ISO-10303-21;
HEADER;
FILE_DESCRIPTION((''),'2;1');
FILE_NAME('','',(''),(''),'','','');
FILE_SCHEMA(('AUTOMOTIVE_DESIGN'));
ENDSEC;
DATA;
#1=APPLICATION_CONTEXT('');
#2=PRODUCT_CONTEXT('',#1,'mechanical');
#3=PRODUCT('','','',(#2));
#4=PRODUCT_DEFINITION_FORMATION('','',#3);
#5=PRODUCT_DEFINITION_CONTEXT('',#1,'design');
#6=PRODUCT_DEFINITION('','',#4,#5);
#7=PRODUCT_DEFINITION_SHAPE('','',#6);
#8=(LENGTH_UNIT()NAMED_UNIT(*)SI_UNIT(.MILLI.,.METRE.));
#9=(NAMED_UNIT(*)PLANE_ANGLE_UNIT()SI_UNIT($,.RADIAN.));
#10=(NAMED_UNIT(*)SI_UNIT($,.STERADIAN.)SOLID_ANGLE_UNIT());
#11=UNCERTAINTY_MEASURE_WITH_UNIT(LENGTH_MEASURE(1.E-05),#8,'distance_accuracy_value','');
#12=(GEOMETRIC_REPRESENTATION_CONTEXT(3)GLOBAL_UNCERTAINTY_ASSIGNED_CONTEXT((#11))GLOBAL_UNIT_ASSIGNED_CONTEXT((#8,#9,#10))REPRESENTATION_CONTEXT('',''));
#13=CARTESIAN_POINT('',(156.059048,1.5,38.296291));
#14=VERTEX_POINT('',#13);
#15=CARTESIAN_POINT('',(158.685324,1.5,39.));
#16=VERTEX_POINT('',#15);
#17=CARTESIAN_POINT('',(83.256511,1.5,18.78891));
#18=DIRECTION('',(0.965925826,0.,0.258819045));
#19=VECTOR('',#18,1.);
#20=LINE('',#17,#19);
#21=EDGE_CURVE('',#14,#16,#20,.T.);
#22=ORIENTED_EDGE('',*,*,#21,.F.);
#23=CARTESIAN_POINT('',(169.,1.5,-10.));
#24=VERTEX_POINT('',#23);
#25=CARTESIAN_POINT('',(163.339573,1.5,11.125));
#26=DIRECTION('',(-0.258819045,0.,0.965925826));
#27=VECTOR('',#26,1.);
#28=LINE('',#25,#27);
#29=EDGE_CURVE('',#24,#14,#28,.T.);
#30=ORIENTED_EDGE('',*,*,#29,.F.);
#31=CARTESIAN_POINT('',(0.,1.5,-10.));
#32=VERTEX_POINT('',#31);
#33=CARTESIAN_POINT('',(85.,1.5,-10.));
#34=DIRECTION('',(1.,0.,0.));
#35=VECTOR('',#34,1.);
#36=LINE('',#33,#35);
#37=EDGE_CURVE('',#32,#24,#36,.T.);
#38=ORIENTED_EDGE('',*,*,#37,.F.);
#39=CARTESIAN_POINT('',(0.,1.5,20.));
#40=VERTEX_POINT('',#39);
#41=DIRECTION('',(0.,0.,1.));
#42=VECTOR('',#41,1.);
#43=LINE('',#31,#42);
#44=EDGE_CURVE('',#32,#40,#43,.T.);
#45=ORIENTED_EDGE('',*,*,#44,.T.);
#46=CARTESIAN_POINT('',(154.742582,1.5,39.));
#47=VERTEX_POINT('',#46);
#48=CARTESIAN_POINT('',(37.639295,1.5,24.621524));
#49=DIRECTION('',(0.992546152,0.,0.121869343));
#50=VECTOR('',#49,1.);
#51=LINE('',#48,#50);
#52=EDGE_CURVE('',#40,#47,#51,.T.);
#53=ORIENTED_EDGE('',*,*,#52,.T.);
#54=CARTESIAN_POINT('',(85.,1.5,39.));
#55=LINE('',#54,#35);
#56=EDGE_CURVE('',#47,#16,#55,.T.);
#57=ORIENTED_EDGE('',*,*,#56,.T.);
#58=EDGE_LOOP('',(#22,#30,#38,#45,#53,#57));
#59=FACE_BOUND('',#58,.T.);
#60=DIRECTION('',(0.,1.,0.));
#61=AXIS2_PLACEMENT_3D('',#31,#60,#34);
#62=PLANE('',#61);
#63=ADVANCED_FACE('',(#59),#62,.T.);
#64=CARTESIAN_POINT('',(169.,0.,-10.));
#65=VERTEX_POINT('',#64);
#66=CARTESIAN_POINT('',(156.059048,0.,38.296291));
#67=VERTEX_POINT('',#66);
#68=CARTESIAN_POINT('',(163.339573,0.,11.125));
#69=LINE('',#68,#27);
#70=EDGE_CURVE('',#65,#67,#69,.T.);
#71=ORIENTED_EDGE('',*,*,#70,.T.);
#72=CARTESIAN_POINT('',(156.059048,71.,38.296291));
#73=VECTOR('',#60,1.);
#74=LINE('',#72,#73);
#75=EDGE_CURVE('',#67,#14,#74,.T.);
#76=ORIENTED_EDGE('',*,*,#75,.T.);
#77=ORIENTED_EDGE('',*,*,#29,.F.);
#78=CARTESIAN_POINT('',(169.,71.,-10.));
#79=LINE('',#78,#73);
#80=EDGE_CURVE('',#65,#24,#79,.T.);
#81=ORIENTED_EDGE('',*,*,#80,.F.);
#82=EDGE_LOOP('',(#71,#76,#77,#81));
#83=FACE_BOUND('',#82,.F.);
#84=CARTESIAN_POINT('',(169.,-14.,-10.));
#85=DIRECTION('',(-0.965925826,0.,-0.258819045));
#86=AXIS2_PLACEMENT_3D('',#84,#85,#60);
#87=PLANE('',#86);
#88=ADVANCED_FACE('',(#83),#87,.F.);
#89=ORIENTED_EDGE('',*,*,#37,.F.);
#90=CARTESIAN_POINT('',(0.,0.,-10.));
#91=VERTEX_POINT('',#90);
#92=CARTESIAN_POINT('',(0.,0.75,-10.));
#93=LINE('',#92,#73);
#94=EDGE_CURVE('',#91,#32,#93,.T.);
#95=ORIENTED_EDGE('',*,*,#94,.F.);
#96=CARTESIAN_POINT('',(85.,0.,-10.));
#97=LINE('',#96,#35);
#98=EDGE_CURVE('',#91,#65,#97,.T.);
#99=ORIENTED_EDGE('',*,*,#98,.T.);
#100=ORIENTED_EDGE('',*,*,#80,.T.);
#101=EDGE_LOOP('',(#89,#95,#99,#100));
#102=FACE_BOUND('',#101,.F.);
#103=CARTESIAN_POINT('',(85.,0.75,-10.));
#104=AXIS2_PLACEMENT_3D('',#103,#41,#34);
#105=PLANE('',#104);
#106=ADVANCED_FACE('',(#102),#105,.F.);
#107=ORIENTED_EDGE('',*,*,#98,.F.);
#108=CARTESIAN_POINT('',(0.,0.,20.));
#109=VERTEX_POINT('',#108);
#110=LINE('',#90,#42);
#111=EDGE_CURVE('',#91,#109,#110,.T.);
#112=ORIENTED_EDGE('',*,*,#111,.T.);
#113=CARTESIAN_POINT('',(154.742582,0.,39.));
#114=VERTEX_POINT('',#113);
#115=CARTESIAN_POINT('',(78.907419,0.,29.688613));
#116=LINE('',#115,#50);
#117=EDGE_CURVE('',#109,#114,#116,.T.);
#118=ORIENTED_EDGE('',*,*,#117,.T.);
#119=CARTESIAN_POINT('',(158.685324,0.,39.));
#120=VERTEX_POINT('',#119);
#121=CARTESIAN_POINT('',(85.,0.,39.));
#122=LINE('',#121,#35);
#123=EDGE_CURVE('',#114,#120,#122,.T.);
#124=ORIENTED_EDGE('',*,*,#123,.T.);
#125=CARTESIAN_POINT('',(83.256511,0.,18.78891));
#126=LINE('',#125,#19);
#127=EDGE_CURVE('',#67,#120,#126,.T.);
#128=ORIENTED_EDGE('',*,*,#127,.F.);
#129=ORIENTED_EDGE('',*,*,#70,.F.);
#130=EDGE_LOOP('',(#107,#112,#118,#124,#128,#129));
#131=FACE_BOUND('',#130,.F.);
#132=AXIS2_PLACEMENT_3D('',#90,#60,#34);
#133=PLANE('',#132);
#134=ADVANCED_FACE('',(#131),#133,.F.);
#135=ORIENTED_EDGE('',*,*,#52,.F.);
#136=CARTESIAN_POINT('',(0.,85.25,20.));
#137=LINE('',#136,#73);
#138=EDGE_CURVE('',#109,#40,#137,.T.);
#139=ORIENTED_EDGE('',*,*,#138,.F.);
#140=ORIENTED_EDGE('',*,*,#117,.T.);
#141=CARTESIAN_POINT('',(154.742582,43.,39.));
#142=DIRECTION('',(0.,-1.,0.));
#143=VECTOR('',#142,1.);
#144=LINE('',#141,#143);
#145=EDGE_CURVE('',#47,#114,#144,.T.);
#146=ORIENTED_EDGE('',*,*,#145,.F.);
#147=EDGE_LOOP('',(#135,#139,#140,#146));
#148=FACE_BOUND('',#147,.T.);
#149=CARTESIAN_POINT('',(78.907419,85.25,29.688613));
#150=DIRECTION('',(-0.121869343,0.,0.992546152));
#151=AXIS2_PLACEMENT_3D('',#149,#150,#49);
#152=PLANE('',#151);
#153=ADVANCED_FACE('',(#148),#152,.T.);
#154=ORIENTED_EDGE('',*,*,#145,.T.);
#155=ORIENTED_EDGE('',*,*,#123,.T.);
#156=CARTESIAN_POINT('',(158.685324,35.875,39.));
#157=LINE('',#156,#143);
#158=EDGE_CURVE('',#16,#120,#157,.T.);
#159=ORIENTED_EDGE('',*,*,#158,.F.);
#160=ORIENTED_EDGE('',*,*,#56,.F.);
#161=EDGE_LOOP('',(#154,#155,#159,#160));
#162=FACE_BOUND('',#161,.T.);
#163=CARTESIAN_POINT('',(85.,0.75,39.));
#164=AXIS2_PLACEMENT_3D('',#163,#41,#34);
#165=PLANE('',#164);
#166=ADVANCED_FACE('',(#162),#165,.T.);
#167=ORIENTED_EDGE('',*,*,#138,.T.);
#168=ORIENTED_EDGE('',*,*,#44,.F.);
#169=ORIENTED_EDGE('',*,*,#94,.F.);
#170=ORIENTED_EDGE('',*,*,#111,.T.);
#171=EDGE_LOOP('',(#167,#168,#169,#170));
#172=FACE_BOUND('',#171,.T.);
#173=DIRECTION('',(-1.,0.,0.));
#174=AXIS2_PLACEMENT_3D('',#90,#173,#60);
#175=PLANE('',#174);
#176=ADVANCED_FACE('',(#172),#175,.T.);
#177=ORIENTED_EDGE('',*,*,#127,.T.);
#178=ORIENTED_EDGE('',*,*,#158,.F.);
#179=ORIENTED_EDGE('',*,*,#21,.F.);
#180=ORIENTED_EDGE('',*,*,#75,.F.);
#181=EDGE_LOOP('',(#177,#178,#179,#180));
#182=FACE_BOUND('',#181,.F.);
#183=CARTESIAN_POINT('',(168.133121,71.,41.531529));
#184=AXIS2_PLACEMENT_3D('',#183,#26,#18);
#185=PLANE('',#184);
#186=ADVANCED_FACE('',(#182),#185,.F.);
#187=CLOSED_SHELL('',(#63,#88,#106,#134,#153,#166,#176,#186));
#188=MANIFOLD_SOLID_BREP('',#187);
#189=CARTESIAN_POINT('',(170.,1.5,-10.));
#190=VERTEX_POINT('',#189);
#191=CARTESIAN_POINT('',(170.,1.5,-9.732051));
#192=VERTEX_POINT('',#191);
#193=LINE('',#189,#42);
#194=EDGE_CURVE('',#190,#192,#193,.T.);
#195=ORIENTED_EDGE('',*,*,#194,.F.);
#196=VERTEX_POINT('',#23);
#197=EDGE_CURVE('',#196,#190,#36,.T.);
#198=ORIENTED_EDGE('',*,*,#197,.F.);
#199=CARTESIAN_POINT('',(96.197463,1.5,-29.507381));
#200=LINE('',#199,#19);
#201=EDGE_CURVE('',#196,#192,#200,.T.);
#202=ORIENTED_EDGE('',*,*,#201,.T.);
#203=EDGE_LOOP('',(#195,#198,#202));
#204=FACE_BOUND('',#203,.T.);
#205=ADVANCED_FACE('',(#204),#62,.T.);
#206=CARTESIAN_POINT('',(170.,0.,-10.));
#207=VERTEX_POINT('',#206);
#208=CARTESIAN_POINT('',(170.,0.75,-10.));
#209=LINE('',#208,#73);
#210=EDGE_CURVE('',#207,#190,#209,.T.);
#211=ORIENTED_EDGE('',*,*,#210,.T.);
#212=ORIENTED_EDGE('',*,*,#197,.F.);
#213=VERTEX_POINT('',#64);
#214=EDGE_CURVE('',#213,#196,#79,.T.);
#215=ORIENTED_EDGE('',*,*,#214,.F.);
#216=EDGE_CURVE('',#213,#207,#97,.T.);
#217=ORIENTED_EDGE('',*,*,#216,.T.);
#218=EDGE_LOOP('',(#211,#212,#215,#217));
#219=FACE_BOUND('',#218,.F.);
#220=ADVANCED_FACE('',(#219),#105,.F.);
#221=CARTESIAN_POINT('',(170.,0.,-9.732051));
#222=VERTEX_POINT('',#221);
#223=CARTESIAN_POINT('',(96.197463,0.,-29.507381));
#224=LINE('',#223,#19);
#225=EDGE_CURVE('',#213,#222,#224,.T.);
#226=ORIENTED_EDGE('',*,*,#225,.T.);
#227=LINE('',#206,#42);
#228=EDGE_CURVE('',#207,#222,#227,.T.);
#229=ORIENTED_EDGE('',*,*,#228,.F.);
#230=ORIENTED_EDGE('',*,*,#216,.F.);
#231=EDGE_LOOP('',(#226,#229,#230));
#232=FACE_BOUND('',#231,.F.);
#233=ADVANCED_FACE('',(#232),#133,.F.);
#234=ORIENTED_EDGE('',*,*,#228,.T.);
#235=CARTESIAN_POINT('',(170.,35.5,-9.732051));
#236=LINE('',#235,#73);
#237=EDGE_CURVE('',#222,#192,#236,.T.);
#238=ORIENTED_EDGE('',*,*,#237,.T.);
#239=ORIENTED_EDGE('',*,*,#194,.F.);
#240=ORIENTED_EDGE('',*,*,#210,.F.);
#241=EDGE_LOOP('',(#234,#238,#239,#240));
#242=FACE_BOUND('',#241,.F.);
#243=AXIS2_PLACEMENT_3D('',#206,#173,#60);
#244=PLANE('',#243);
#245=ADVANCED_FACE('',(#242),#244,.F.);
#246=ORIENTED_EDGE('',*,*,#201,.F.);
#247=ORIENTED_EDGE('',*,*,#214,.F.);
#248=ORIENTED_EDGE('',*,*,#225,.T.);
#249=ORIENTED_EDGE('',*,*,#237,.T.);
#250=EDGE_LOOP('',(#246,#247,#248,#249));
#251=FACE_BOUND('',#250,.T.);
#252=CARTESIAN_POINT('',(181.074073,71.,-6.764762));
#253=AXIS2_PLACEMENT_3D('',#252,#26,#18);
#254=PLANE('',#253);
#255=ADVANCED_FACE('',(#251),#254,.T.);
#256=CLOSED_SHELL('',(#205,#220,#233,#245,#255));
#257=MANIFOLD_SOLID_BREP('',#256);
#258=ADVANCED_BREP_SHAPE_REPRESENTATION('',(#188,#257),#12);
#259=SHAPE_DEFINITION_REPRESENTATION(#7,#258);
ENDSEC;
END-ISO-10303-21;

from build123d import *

# Parameters (mm, degrees)
BOX024_W               = 159
BOX024_H               = 170.5
BOX024_DEPTH           = 20.5
BOX024_PLACEMENT_ANGLE = 7
BOX023_W               = 25
BOX023_H               = 170
BOX023_DEPTH           = 50
BOX023_PLACEMENT_ANGLE = 15
BOX022_W               = 170
BOX022_H               = 1.5
BOX022_DEPTH           = 49


with BuildPart() as top001:
    # Box024 → Box024 (new body)
    with BuildSketch(Plane.XY):
        with Locations((79.5, 85.25)):
            Rectangle(BOX024_W, BOX024_H)
    extrude(amount=BOX024_DEPTH)


with BuildPart() as top001_1:
    # Box024 placement: moved
    add(top001.part.moved(Location((0, 0, 20))).rotate(Axis((0, 0, 20), (0, -1, 0)), BOX024_PLACEMENT_ANGLE))


with BuildPart() as face002:
    # Box023 → Box023 (new body)
    with BuildSketch(Plane.XY):
        with Locations((12.5, 85)):
            Rectangle(BOX023_W, BOX023_H)
    extrude(amount=BOX023_DEPTH)


with BuildPart() as face002_1:
    # Box023 placement: moved
    add(face002.part.moved(Location((169, -14, -10))).rotate(Axis((169, -14, -10), (0, -1, 0)), BOX023_PLACEMENT_ANGLE))


with BuildPart() as sidewall:
    # Box022 → Box022 (new body)
    with BuildSketch(Plane.XY.offset(-10)):
        with Locations((85, 0.75)):
            Rectangle(BOX022_W, BOX022_H)
    extrude(amount=BOX022_DEPTH)

    # Cut007: cut Face002
    add(face002_1.part, mode=Mode.SUBTRACT)

    # Cut008: cut top001
    add(top001_1.part, mode=Mode.SUBTRACT)


solid = sidewall.part
